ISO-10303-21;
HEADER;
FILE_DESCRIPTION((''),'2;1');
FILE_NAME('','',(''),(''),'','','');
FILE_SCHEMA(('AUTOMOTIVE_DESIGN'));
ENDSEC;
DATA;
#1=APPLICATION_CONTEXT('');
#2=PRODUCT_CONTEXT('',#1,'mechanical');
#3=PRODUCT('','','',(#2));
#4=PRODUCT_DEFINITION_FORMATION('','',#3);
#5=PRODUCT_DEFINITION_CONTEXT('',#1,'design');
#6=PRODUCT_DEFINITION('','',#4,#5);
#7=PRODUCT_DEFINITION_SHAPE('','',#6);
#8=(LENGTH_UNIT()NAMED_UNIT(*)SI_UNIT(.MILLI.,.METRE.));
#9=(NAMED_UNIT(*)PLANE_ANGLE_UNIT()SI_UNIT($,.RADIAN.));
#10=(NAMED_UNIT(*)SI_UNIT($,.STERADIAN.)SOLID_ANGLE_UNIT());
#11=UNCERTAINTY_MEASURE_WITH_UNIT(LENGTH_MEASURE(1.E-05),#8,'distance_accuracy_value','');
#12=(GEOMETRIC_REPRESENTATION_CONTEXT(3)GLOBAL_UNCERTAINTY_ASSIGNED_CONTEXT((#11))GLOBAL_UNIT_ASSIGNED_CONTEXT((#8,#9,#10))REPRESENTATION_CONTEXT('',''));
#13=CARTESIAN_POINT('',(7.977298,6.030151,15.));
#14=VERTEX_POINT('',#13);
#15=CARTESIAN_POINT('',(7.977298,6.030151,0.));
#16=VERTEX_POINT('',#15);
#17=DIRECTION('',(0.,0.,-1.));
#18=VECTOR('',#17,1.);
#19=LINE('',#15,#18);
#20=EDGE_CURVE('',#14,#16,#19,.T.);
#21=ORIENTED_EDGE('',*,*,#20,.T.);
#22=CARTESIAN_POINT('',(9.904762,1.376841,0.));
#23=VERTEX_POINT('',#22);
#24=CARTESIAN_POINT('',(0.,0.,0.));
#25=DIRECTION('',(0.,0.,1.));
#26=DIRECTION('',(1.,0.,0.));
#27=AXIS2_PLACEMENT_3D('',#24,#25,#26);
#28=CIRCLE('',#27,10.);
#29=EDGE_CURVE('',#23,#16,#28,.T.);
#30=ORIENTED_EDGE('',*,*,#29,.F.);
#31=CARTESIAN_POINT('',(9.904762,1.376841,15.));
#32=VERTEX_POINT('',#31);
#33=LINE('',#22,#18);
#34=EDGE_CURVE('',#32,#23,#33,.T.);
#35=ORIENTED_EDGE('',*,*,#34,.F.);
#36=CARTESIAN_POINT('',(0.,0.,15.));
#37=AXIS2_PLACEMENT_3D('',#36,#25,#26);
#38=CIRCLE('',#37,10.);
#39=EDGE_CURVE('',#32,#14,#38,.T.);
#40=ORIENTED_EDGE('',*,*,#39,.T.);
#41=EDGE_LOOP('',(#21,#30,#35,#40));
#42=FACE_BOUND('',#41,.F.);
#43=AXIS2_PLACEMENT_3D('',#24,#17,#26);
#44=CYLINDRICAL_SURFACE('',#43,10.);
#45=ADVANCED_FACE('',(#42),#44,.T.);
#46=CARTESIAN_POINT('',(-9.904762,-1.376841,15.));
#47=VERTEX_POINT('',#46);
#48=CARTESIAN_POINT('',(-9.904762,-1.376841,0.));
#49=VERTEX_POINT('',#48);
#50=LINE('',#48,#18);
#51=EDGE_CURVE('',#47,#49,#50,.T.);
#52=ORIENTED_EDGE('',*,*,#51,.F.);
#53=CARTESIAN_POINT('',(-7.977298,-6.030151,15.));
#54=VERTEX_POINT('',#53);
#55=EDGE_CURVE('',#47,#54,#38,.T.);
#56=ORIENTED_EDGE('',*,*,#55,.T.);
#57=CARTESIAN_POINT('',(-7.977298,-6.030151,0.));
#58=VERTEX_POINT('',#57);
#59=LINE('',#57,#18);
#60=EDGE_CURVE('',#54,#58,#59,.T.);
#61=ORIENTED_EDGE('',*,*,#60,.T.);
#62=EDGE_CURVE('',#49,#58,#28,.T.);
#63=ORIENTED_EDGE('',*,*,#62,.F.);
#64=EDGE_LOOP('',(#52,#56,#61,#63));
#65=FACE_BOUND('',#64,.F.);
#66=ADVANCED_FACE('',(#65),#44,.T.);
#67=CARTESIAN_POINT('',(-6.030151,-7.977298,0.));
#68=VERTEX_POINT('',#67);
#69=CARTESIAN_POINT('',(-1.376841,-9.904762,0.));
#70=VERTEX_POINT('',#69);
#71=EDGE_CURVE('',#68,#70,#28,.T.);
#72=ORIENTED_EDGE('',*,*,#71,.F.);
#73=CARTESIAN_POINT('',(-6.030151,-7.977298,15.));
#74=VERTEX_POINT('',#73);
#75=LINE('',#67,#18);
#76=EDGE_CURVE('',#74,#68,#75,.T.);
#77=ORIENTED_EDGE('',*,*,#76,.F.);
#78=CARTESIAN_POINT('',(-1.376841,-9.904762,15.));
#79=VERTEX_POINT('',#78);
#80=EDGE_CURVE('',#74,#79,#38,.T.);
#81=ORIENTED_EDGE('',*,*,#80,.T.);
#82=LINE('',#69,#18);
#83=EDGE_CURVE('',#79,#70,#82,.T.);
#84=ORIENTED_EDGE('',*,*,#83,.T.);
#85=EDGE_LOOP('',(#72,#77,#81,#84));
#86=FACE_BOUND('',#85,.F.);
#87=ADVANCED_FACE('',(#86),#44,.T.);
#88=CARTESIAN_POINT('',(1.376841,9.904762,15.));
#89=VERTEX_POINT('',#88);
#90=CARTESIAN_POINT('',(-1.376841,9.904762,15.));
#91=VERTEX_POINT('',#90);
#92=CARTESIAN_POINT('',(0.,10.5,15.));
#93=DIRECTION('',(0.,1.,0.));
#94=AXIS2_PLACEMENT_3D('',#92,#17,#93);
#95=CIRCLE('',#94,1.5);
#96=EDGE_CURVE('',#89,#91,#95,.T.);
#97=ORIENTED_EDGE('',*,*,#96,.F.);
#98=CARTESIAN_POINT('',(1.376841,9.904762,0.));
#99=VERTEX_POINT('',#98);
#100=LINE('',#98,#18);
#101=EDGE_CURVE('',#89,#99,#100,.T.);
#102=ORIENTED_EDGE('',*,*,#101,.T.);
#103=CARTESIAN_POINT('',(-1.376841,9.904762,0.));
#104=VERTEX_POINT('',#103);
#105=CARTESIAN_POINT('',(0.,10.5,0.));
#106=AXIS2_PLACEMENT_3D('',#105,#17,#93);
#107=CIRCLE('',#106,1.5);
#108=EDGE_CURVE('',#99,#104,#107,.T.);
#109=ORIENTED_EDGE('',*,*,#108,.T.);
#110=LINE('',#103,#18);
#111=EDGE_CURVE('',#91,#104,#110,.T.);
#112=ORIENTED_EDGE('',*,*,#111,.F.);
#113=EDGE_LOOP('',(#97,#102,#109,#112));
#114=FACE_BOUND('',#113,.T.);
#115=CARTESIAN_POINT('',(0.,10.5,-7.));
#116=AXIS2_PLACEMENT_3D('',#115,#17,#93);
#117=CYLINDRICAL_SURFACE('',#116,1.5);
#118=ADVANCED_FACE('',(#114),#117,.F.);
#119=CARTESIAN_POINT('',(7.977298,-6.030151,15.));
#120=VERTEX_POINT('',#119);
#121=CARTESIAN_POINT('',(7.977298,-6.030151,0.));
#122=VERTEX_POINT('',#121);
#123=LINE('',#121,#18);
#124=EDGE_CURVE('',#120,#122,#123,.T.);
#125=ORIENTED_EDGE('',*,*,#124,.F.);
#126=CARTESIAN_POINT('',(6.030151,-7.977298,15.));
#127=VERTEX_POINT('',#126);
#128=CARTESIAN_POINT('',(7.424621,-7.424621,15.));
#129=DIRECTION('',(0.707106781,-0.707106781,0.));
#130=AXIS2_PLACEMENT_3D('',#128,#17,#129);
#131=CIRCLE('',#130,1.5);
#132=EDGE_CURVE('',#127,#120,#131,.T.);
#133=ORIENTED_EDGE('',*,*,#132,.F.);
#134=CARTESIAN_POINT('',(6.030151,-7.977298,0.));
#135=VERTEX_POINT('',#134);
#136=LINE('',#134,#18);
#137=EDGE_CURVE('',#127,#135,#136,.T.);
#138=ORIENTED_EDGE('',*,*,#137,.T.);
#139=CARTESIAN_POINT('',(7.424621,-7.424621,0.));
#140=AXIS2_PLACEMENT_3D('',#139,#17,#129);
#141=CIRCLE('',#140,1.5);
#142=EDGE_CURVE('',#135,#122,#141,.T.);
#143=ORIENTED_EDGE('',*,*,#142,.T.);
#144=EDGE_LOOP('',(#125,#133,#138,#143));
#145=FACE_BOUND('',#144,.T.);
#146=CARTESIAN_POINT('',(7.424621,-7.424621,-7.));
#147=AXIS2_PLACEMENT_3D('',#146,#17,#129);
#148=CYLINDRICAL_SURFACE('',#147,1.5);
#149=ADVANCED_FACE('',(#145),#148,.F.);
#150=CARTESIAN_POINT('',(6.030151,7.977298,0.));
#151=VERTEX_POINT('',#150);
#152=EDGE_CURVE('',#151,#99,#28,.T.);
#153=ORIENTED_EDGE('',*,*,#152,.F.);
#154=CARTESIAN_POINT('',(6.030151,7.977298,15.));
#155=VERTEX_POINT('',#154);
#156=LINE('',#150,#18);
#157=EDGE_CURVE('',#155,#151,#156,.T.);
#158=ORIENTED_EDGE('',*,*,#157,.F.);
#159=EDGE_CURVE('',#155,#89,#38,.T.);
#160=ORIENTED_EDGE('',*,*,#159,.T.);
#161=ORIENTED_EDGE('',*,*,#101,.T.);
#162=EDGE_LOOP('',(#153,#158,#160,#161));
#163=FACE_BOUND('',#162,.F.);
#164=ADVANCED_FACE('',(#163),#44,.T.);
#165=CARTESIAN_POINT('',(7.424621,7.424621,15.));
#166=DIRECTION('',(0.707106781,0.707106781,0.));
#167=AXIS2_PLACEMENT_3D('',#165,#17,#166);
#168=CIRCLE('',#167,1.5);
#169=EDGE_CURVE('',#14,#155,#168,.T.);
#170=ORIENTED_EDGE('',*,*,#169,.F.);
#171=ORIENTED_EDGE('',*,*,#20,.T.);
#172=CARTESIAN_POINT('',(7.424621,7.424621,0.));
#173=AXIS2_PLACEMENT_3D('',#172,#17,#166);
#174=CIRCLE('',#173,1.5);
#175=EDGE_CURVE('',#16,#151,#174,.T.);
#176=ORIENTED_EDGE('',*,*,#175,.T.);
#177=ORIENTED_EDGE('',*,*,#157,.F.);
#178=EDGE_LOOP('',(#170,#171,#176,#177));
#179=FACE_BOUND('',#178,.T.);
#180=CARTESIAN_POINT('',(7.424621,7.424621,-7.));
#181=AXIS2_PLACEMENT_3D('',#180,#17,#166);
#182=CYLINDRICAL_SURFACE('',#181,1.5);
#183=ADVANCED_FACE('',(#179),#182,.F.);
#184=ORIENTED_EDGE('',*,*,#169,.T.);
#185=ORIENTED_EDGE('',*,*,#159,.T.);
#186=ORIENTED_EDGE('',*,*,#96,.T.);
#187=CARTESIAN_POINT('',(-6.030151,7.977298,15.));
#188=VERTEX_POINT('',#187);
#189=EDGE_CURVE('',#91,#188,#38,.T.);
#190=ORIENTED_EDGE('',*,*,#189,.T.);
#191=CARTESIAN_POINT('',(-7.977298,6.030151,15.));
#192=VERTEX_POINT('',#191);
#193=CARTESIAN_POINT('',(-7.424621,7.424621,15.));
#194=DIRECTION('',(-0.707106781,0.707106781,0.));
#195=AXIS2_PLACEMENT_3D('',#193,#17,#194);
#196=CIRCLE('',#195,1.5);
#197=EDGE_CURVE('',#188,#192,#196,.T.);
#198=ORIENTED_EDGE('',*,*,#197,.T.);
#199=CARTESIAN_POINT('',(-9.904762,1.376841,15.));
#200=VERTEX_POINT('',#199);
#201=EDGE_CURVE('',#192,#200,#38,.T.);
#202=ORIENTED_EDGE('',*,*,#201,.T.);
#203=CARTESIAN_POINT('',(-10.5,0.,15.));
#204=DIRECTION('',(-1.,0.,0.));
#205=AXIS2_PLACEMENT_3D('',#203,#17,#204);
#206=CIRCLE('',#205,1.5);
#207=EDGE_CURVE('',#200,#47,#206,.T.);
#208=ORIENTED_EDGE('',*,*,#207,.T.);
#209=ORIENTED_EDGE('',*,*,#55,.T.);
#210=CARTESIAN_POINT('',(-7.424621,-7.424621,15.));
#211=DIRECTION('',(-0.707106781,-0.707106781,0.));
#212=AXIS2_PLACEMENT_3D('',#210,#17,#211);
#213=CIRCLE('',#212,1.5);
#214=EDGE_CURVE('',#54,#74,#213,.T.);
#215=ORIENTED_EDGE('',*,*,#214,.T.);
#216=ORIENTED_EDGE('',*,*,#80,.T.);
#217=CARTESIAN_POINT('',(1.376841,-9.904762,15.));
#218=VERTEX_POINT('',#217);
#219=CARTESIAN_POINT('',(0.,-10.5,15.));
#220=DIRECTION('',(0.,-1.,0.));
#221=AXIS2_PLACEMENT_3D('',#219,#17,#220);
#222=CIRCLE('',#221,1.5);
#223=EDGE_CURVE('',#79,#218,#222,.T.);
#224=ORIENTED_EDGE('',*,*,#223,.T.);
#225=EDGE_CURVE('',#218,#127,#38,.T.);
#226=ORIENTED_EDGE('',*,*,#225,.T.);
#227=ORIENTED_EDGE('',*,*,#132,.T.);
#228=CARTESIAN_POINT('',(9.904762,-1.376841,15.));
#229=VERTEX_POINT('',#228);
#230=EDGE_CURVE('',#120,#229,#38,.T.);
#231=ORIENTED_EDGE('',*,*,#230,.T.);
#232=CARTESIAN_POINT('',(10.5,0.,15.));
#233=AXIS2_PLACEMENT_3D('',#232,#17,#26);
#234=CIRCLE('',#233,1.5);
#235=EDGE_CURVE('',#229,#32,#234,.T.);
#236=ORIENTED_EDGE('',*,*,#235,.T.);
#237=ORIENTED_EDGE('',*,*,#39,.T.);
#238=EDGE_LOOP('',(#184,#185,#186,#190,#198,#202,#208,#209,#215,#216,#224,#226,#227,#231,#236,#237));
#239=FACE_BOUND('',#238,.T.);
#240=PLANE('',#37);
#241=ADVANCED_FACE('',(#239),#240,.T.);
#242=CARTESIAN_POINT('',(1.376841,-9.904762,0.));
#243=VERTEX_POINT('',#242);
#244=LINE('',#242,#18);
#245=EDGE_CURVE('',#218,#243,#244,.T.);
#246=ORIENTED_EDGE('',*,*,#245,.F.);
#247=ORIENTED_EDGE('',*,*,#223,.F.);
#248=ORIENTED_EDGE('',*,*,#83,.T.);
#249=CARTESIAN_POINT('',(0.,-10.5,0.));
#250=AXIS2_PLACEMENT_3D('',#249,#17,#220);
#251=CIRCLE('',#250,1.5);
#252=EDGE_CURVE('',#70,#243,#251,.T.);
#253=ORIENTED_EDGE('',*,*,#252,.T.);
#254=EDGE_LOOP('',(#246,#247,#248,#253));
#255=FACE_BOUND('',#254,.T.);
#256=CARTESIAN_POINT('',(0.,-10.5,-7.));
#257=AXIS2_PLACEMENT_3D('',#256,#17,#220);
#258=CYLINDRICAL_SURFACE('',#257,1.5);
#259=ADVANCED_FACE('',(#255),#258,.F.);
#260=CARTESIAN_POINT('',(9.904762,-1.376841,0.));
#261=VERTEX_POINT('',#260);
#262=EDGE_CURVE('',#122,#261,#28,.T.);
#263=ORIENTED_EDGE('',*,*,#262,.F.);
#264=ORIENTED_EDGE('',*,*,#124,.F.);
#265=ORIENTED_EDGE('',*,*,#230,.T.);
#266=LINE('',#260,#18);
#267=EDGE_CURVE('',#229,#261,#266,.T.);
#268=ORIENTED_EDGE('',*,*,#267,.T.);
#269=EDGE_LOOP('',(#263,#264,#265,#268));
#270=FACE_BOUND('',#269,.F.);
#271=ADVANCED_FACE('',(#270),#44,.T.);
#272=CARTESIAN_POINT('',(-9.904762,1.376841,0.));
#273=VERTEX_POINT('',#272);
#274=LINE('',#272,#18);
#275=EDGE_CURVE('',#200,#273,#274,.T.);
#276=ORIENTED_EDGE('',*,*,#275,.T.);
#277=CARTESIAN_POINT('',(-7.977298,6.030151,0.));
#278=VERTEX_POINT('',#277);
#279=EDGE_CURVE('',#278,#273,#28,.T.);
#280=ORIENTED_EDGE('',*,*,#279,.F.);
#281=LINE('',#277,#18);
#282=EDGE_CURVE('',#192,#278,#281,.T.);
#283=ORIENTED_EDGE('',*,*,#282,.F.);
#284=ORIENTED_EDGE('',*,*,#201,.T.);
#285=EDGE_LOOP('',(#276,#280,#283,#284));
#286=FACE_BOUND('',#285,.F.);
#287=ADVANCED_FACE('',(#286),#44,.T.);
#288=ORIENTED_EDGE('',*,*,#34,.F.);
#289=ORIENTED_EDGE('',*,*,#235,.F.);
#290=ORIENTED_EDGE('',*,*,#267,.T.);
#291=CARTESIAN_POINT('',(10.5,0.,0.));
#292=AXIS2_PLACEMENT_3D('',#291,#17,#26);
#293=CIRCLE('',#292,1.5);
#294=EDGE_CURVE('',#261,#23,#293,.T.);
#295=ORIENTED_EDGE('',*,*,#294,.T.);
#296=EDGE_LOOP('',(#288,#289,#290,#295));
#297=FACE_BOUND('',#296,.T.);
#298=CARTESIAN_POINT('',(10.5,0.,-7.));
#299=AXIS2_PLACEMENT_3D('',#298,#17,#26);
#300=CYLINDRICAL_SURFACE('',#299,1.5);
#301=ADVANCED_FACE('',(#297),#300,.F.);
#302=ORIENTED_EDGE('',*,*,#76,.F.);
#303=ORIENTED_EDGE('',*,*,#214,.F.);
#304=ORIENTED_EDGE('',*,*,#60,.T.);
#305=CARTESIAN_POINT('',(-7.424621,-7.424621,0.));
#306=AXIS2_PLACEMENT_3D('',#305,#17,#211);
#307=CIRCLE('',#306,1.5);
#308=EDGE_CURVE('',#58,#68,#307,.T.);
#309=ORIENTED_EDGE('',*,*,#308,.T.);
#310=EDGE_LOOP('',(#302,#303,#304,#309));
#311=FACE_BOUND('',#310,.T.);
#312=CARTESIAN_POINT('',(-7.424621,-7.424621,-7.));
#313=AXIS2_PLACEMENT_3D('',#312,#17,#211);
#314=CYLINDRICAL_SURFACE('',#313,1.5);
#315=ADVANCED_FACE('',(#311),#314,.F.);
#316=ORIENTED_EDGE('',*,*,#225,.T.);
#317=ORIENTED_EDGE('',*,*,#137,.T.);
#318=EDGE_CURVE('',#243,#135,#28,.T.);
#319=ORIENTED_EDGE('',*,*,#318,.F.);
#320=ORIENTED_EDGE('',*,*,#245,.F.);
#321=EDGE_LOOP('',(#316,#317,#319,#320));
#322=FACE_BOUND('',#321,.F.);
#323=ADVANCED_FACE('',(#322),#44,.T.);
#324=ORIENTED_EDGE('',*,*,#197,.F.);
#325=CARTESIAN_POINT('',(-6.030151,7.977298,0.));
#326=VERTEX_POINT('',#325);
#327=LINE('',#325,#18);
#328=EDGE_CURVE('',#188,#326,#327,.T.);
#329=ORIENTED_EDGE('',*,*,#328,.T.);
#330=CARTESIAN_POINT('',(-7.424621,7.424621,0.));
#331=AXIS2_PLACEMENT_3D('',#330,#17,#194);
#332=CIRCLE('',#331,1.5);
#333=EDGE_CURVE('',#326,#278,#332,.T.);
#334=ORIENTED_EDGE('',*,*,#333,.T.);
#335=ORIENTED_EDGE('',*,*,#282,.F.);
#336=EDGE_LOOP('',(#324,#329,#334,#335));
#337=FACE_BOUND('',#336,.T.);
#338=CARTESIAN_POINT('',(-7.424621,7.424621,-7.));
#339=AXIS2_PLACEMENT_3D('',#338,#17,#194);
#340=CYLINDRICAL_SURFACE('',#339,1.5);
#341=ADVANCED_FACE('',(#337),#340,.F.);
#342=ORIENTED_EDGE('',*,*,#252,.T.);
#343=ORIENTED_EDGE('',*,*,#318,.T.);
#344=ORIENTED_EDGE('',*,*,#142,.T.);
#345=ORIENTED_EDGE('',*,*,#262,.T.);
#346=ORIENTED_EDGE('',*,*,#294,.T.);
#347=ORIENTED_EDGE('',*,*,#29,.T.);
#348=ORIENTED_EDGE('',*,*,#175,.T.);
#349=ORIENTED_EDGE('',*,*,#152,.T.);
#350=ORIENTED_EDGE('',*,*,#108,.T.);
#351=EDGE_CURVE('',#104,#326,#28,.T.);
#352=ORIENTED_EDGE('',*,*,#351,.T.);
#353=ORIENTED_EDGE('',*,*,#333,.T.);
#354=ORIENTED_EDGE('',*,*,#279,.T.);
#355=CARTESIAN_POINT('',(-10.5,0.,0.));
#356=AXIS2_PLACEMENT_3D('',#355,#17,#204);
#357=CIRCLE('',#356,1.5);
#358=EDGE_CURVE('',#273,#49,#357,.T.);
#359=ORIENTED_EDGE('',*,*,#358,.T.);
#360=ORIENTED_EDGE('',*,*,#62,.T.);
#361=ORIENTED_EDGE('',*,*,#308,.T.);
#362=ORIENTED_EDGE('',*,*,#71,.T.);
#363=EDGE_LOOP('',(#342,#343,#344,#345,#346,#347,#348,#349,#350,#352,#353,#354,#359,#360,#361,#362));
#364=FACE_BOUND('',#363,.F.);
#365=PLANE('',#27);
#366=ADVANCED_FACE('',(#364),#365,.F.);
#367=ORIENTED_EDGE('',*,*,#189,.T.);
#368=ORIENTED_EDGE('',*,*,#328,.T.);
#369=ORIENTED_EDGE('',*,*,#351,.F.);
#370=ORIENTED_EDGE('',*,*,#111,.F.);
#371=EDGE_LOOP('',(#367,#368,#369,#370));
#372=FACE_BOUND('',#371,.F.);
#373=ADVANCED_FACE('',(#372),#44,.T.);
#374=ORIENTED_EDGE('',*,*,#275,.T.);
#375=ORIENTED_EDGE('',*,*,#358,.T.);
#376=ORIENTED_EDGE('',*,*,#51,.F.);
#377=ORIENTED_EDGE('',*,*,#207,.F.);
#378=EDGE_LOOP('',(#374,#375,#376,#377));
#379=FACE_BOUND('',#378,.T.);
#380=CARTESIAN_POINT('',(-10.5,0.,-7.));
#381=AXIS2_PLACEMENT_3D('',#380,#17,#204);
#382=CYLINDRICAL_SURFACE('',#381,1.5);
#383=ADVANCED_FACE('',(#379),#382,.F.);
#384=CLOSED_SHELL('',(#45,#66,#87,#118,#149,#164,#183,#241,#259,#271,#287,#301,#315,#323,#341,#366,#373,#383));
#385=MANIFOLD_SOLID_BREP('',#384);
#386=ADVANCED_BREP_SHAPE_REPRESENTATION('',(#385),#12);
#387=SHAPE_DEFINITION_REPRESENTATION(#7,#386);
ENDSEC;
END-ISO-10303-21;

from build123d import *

# Parameters (mm, degrees)
CYLINDER001_R     = 1.5
CYLINDER001_DEPTH = 30
ARRAY_COUNT       = 8
CYLINDER_R        = 10
CYLINDER_DEPTH    = 15


with BuildPart() as array:
    # Cylinder001 → Cylinder001 (new body)
    with BuildSketch(Plane(origin=(10.5, 0, -7), x_dir=(1, 0, 0), z_dir=(0, 0, 1))):
        Circle(CYLINDER001_R)
    extrude(amount=CYLINDER001_DEPTH)

    # Array: Array ×8 about axis
    array_axis = Axis((0, 0, 0), (0, 0, 1))


with BuildPart() as array_1:
    add(array.part)
    for i in range(1, ARRAY_COUNT):
        add(array.part.rotate(array_axis, i * 360 / ARRAY_COUNT))


with BuildPart() as cut:
    # Cylinder → Cylinder (new body)
    with BuildSketch(Plane.XY):
        Circle(CYLINDER_R)
    extrude(amount=CYLINDER_DEPTH)

    # Cut: cut Array
    add(array_1.part, mode=Mode.SUBTRACT)


solid = cut.part
